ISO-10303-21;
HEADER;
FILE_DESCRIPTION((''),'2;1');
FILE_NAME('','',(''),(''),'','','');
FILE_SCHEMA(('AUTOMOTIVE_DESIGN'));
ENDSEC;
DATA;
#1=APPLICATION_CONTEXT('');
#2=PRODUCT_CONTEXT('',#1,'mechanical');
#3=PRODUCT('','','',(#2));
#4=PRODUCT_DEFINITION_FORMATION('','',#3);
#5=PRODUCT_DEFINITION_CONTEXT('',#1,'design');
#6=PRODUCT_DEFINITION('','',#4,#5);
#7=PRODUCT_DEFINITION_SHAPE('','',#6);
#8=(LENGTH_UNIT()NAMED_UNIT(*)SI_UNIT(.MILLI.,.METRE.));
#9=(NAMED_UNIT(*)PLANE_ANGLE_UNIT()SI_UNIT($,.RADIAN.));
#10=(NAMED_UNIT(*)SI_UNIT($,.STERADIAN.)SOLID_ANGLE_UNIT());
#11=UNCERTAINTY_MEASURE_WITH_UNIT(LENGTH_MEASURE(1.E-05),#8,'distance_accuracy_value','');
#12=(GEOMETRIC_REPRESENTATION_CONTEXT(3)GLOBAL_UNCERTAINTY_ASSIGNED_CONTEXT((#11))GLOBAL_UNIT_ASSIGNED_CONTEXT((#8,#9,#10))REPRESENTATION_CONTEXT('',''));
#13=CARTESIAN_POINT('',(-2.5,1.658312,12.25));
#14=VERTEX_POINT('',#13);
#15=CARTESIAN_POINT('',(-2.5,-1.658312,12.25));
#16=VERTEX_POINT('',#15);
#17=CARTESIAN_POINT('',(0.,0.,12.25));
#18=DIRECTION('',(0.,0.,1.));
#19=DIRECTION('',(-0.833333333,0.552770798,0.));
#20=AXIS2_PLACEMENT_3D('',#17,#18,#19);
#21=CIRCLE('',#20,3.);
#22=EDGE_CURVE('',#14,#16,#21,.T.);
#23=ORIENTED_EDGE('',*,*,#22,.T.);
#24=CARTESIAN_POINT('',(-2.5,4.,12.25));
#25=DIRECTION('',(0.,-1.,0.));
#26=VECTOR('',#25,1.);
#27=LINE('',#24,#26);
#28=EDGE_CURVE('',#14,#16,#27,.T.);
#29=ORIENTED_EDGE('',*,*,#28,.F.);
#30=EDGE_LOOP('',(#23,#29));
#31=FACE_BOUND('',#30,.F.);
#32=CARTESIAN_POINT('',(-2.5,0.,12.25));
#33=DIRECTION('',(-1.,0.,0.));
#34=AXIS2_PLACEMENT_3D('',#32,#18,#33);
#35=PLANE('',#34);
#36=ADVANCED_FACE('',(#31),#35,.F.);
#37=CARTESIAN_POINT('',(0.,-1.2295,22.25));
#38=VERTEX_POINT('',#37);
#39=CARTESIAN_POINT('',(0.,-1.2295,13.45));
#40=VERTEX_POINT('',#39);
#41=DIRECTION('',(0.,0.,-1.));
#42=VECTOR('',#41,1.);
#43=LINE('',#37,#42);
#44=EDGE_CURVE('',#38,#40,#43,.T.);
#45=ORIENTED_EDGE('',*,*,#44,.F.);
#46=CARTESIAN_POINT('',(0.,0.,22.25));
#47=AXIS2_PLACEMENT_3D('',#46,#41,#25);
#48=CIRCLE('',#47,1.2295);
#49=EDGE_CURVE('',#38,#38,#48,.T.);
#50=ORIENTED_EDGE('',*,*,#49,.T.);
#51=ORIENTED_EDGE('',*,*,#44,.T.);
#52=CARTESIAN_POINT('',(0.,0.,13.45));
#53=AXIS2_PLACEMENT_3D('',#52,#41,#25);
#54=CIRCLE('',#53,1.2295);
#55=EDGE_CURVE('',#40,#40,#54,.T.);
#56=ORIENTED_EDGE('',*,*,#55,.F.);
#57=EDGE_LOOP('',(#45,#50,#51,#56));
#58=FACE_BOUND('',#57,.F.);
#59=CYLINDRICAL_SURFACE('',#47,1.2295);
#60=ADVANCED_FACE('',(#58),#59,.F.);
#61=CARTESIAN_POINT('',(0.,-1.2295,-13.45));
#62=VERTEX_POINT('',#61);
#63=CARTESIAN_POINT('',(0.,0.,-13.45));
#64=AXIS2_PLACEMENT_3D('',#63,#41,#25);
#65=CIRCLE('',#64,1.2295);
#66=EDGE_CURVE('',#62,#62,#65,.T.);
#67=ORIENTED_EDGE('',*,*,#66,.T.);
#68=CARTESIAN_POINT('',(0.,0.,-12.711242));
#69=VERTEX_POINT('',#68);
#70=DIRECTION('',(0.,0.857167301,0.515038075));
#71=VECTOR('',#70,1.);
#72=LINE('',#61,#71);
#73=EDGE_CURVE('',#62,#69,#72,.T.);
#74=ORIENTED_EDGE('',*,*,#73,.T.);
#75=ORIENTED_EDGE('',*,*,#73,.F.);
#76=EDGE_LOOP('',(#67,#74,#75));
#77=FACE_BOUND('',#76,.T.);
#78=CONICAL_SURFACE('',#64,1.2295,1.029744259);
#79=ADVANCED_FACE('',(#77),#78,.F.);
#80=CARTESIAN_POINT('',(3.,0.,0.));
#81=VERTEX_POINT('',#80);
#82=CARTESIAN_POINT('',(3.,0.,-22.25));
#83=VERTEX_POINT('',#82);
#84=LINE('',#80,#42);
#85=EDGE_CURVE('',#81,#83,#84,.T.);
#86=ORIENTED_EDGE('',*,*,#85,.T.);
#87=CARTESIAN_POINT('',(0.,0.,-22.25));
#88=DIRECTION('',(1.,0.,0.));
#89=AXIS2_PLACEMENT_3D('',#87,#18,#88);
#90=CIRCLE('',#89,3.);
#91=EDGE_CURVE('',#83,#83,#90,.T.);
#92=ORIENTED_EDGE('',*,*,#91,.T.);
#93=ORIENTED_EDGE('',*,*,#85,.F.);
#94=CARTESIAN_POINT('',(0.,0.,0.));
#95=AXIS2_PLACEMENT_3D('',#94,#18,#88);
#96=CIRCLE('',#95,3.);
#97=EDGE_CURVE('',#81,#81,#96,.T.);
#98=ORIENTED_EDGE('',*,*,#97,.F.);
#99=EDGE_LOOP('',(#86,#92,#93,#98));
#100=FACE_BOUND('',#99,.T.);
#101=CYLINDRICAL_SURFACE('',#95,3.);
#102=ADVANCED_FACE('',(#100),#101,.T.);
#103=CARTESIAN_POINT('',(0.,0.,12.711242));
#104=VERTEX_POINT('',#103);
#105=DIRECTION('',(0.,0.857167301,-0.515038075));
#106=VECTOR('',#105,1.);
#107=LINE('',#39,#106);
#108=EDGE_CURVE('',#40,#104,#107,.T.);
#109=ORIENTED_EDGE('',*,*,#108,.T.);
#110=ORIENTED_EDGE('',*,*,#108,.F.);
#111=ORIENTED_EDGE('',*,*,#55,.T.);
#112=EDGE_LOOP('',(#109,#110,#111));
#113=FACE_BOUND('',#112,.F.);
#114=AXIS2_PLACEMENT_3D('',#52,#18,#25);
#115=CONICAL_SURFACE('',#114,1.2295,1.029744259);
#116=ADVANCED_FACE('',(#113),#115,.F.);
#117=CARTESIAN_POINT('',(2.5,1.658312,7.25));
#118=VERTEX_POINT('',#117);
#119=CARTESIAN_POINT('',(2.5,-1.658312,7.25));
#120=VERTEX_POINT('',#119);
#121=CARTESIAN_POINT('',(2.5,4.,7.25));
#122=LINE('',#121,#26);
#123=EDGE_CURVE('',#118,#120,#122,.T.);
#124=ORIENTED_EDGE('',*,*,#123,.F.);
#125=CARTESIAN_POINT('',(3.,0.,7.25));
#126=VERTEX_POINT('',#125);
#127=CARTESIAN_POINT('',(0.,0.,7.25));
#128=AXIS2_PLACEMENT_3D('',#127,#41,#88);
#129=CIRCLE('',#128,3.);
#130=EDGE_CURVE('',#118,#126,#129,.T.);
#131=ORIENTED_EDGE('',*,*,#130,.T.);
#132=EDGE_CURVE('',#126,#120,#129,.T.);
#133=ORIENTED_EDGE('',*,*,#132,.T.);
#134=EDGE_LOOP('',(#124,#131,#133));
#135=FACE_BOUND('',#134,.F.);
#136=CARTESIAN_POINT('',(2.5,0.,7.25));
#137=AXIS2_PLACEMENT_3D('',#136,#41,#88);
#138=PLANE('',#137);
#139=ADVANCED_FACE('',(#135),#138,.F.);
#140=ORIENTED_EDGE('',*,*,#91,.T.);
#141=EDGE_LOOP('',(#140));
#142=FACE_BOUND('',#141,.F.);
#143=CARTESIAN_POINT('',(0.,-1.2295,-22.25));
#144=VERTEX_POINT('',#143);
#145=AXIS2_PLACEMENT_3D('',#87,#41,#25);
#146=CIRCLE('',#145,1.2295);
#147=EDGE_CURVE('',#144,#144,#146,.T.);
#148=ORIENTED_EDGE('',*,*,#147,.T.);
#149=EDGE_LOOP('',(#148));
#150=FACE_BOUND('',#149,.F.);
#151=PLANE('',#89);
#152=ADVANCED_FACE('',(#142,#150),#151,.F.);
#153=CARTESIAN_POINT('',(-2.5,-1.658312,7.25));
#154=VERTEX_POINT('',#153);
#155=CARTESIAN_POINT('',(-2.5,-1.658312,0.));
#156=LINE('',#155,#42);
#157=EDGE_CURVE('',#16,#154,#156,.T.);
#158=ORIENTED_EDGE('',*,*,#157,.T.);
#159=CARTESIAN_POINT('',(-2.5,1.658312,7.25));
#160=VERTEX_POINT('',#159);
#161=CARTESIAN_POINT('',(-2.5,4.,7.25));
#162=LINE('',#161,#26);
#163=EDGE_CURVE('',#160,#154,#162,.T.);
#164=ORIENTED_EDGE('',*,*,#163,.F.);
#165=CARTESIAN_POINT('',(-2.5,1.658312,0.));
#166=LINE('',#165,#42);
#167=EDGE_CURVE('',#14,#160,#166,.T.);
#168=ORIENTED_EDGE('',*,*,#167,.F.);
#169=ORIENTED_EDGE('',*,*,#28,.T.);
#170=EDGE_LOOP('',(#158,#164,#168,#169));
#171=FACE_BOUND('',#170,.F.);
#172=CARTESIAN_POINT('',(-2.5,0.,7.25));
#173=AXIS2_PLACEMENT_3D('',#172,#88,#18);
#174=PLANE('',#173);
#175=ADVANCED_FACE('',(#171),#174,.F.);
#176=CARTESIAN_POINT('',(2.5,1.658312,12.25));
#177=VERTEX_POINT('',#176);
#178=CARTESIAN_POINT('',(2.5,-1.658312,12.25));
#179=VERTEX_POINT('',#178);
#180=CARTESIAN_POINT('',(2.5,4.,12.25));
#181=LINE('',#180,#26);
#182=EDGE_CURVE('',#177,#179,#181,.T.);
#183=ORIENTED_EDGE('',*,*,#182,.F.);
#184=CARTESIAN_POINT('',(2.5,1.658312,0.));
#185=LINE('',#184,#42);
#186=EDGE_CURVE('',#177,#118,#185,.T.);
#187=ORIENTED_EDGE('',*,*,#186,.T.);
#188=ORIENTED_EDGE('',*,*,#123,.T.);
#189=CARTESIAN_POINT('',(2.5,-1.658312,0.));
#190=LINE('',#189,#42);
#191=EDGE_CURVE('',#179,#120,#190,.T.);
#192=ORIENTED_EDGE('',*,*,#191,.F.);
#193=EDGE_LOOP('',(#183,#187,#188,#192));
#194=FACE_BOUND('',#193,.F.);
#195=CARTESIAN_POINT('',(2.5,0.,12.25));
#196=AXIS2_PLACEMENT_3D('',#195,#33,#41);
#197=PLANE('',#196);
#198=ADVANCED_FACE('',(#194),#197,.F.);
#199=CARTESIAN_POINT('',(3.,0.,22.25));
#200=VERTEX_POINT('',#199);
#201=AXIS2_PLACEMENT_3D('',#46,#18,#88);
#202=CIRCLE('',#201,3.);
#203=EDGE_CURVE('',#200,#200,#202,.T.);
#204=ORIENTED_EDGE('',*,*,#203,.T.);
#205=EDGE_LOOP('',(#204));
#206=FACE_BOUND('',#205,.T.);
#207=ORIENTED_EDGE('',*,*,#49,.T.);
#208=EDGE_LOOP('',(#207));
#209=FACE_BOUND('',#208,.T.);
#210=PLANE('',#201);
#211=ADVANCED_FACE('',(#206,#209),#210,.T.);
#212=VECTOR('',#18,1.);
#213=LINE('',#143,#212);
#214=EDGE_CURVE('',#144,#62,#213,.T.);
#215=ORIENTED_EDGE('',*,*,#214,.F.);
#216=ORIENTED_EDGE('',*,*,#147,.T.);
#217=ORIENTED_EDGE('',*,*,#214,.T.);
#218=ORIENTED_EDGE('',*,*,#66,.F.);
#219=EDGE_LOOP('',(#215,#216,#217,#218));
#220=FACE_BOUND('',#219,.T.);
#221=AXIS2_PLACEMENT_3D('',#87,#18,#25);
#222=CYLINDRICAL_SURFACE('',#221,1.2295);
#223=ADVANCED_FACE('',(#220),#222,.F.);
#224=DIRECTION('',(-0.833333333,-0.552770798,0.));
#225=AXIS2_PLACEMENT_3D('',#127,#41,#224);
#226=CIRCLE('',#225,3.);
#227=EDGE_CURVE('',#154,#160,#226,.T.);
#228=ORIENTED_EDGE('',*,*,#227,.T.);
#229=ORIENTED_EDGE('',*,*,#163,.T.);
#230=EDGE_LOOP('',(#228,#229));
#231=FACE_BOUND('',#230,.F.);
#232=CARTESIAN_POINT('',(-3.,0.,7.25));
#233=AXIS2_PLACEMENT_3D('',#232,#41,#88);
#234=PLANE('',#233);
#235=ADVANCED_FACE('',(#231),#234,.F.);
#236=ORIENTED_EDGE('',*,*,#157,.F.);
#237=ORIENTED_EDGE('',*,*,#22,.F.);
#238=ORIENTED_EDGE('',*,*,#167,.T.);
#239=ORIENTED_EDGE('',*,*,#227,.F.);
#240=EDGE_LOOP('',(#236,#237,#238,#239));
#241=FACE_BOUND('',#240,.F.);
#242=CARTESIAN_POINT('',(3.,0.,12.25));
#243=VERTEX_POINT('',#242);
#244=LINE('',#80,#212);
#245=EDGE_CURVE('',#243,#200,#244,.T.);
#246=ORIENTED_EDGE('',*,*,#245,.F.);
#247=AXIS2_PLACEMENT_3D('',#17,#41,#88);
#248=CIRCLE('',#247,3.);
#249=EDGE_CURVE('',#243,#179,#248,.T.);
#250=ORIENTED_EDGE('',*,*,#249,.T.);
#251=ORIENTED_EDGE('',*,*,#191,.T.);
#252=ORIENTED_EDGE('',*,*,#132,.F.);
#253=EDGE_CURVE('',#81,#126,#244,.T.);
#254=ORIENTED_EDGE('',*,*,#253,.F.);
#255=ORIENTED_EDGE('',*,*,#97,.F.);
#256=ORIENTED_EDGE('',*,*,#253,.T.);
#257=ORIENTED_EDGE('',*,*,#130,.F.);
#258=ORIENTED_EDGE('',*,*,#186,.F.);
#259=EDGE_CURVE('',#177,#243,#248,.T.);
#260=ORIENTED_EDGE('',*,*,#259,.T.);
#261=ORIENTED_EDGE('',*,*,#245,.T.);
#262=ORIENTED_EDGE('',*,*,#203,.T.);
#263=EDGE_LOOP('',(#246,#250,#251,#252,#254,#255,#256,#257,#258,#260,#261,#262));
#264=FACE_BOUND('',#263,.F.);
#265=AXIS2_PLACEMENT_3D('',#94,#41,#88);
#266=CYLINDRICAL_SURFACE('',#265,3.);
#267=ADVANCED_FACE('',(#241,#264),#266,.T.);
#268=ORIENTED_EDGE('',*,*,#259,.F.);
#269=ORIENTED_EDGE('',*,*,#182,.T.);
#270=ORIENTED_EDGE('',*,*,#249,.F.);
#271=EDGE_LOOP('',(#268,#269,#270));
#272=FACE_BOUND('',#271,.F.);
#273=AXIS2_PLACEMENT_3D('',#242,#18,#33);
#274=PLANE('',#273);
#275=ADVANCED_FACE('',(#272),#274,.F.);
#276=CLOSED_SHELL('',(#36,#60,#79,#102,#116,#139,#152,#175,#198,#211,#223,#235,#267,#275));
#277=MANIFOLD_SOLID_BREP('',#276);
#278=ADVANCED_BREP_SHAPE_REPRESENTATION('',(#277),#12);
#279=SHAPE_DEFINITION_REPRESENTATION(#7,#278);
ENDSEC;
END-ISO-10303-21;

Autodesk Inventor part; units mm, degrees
ref_plane "YZ Plane" through (0, 0, 0) normal (1, 0, 0) x (0, 1, 0)
ref_plane "XZ Plane" through (0, 0, 0) normal (0, 1, 0) x (-1, 0, 0)
ref_plane "XY Plane" through (0, 0, 0) normal (0, 0, 1) x (1, 0, 0)
sketch "Sketch1" plane through (0, 0, 0) normal (0, 0, 1) x (1, 0, 0)
  circle A0 centre (0, 0) radius 3
  dimension "d0" = 6
extrude "Extrusion1" add sketch "Sketch1" along normal mid plane 44.5
sketch "Sketch2" plane through (0, 0, 22.25) normal (0, 0, 1) x (1, 0, 0)
  point P0 (0, 0)
  point P1 (0, 0)
hole "Hole1" at (0, 0, 22.25) direction (0, 0, -1) diameter 2.459 depth 8.8 tip angle 118 thread size "M3x0.5" class "6H" standard "ANSI Metric M Profile"
sketch "Sketch3" plane through (0, 0, 0) normal (0, 1, 0) x (-1, 0, 0)
  line L0 (3, 7.25) -> (2.5, 7.25)
  line L1 (2.5, 7.25) -> (2.5, 12.25)
  line L2 (2.5, 12.25) -> (3, 12.25)
  line L3 (3, 12.25) -> (3, 7.25)
  line L4 (-3, 12.25) -> (-2.5, 12.25)
  line L5 (-2.5, 12.25) -> (-2.5, 7.25)
  line L6 (-2.5, 7.25) -> (-3, 7.25)
  line L7 (-3, 7.25) -> (-3, 12.25)
  line L8 (-3, -22.25) -> (3, -22.25) projected
  line L9 (3, 22.25) -> (-3, 22.25) projected
  point P0 (0, 0)
  point P1 (-3, 23.75)
  dimension "d16" = 0.5
  dimension "d17" = 0.5
  dimension "d18" = 5
  dimension "d19" = 10
extrude "Extrusion2" cut sketch "Sketch3" along normal through all both and the other way through all
mirror "Mirror1" about plane through (0, 0, 0) normal (0, 0, 1) of "Hole1"
equation "\"d17\" = d16"
properties part number "Pancake_Lever Weight" material "Aluminum 6061"
